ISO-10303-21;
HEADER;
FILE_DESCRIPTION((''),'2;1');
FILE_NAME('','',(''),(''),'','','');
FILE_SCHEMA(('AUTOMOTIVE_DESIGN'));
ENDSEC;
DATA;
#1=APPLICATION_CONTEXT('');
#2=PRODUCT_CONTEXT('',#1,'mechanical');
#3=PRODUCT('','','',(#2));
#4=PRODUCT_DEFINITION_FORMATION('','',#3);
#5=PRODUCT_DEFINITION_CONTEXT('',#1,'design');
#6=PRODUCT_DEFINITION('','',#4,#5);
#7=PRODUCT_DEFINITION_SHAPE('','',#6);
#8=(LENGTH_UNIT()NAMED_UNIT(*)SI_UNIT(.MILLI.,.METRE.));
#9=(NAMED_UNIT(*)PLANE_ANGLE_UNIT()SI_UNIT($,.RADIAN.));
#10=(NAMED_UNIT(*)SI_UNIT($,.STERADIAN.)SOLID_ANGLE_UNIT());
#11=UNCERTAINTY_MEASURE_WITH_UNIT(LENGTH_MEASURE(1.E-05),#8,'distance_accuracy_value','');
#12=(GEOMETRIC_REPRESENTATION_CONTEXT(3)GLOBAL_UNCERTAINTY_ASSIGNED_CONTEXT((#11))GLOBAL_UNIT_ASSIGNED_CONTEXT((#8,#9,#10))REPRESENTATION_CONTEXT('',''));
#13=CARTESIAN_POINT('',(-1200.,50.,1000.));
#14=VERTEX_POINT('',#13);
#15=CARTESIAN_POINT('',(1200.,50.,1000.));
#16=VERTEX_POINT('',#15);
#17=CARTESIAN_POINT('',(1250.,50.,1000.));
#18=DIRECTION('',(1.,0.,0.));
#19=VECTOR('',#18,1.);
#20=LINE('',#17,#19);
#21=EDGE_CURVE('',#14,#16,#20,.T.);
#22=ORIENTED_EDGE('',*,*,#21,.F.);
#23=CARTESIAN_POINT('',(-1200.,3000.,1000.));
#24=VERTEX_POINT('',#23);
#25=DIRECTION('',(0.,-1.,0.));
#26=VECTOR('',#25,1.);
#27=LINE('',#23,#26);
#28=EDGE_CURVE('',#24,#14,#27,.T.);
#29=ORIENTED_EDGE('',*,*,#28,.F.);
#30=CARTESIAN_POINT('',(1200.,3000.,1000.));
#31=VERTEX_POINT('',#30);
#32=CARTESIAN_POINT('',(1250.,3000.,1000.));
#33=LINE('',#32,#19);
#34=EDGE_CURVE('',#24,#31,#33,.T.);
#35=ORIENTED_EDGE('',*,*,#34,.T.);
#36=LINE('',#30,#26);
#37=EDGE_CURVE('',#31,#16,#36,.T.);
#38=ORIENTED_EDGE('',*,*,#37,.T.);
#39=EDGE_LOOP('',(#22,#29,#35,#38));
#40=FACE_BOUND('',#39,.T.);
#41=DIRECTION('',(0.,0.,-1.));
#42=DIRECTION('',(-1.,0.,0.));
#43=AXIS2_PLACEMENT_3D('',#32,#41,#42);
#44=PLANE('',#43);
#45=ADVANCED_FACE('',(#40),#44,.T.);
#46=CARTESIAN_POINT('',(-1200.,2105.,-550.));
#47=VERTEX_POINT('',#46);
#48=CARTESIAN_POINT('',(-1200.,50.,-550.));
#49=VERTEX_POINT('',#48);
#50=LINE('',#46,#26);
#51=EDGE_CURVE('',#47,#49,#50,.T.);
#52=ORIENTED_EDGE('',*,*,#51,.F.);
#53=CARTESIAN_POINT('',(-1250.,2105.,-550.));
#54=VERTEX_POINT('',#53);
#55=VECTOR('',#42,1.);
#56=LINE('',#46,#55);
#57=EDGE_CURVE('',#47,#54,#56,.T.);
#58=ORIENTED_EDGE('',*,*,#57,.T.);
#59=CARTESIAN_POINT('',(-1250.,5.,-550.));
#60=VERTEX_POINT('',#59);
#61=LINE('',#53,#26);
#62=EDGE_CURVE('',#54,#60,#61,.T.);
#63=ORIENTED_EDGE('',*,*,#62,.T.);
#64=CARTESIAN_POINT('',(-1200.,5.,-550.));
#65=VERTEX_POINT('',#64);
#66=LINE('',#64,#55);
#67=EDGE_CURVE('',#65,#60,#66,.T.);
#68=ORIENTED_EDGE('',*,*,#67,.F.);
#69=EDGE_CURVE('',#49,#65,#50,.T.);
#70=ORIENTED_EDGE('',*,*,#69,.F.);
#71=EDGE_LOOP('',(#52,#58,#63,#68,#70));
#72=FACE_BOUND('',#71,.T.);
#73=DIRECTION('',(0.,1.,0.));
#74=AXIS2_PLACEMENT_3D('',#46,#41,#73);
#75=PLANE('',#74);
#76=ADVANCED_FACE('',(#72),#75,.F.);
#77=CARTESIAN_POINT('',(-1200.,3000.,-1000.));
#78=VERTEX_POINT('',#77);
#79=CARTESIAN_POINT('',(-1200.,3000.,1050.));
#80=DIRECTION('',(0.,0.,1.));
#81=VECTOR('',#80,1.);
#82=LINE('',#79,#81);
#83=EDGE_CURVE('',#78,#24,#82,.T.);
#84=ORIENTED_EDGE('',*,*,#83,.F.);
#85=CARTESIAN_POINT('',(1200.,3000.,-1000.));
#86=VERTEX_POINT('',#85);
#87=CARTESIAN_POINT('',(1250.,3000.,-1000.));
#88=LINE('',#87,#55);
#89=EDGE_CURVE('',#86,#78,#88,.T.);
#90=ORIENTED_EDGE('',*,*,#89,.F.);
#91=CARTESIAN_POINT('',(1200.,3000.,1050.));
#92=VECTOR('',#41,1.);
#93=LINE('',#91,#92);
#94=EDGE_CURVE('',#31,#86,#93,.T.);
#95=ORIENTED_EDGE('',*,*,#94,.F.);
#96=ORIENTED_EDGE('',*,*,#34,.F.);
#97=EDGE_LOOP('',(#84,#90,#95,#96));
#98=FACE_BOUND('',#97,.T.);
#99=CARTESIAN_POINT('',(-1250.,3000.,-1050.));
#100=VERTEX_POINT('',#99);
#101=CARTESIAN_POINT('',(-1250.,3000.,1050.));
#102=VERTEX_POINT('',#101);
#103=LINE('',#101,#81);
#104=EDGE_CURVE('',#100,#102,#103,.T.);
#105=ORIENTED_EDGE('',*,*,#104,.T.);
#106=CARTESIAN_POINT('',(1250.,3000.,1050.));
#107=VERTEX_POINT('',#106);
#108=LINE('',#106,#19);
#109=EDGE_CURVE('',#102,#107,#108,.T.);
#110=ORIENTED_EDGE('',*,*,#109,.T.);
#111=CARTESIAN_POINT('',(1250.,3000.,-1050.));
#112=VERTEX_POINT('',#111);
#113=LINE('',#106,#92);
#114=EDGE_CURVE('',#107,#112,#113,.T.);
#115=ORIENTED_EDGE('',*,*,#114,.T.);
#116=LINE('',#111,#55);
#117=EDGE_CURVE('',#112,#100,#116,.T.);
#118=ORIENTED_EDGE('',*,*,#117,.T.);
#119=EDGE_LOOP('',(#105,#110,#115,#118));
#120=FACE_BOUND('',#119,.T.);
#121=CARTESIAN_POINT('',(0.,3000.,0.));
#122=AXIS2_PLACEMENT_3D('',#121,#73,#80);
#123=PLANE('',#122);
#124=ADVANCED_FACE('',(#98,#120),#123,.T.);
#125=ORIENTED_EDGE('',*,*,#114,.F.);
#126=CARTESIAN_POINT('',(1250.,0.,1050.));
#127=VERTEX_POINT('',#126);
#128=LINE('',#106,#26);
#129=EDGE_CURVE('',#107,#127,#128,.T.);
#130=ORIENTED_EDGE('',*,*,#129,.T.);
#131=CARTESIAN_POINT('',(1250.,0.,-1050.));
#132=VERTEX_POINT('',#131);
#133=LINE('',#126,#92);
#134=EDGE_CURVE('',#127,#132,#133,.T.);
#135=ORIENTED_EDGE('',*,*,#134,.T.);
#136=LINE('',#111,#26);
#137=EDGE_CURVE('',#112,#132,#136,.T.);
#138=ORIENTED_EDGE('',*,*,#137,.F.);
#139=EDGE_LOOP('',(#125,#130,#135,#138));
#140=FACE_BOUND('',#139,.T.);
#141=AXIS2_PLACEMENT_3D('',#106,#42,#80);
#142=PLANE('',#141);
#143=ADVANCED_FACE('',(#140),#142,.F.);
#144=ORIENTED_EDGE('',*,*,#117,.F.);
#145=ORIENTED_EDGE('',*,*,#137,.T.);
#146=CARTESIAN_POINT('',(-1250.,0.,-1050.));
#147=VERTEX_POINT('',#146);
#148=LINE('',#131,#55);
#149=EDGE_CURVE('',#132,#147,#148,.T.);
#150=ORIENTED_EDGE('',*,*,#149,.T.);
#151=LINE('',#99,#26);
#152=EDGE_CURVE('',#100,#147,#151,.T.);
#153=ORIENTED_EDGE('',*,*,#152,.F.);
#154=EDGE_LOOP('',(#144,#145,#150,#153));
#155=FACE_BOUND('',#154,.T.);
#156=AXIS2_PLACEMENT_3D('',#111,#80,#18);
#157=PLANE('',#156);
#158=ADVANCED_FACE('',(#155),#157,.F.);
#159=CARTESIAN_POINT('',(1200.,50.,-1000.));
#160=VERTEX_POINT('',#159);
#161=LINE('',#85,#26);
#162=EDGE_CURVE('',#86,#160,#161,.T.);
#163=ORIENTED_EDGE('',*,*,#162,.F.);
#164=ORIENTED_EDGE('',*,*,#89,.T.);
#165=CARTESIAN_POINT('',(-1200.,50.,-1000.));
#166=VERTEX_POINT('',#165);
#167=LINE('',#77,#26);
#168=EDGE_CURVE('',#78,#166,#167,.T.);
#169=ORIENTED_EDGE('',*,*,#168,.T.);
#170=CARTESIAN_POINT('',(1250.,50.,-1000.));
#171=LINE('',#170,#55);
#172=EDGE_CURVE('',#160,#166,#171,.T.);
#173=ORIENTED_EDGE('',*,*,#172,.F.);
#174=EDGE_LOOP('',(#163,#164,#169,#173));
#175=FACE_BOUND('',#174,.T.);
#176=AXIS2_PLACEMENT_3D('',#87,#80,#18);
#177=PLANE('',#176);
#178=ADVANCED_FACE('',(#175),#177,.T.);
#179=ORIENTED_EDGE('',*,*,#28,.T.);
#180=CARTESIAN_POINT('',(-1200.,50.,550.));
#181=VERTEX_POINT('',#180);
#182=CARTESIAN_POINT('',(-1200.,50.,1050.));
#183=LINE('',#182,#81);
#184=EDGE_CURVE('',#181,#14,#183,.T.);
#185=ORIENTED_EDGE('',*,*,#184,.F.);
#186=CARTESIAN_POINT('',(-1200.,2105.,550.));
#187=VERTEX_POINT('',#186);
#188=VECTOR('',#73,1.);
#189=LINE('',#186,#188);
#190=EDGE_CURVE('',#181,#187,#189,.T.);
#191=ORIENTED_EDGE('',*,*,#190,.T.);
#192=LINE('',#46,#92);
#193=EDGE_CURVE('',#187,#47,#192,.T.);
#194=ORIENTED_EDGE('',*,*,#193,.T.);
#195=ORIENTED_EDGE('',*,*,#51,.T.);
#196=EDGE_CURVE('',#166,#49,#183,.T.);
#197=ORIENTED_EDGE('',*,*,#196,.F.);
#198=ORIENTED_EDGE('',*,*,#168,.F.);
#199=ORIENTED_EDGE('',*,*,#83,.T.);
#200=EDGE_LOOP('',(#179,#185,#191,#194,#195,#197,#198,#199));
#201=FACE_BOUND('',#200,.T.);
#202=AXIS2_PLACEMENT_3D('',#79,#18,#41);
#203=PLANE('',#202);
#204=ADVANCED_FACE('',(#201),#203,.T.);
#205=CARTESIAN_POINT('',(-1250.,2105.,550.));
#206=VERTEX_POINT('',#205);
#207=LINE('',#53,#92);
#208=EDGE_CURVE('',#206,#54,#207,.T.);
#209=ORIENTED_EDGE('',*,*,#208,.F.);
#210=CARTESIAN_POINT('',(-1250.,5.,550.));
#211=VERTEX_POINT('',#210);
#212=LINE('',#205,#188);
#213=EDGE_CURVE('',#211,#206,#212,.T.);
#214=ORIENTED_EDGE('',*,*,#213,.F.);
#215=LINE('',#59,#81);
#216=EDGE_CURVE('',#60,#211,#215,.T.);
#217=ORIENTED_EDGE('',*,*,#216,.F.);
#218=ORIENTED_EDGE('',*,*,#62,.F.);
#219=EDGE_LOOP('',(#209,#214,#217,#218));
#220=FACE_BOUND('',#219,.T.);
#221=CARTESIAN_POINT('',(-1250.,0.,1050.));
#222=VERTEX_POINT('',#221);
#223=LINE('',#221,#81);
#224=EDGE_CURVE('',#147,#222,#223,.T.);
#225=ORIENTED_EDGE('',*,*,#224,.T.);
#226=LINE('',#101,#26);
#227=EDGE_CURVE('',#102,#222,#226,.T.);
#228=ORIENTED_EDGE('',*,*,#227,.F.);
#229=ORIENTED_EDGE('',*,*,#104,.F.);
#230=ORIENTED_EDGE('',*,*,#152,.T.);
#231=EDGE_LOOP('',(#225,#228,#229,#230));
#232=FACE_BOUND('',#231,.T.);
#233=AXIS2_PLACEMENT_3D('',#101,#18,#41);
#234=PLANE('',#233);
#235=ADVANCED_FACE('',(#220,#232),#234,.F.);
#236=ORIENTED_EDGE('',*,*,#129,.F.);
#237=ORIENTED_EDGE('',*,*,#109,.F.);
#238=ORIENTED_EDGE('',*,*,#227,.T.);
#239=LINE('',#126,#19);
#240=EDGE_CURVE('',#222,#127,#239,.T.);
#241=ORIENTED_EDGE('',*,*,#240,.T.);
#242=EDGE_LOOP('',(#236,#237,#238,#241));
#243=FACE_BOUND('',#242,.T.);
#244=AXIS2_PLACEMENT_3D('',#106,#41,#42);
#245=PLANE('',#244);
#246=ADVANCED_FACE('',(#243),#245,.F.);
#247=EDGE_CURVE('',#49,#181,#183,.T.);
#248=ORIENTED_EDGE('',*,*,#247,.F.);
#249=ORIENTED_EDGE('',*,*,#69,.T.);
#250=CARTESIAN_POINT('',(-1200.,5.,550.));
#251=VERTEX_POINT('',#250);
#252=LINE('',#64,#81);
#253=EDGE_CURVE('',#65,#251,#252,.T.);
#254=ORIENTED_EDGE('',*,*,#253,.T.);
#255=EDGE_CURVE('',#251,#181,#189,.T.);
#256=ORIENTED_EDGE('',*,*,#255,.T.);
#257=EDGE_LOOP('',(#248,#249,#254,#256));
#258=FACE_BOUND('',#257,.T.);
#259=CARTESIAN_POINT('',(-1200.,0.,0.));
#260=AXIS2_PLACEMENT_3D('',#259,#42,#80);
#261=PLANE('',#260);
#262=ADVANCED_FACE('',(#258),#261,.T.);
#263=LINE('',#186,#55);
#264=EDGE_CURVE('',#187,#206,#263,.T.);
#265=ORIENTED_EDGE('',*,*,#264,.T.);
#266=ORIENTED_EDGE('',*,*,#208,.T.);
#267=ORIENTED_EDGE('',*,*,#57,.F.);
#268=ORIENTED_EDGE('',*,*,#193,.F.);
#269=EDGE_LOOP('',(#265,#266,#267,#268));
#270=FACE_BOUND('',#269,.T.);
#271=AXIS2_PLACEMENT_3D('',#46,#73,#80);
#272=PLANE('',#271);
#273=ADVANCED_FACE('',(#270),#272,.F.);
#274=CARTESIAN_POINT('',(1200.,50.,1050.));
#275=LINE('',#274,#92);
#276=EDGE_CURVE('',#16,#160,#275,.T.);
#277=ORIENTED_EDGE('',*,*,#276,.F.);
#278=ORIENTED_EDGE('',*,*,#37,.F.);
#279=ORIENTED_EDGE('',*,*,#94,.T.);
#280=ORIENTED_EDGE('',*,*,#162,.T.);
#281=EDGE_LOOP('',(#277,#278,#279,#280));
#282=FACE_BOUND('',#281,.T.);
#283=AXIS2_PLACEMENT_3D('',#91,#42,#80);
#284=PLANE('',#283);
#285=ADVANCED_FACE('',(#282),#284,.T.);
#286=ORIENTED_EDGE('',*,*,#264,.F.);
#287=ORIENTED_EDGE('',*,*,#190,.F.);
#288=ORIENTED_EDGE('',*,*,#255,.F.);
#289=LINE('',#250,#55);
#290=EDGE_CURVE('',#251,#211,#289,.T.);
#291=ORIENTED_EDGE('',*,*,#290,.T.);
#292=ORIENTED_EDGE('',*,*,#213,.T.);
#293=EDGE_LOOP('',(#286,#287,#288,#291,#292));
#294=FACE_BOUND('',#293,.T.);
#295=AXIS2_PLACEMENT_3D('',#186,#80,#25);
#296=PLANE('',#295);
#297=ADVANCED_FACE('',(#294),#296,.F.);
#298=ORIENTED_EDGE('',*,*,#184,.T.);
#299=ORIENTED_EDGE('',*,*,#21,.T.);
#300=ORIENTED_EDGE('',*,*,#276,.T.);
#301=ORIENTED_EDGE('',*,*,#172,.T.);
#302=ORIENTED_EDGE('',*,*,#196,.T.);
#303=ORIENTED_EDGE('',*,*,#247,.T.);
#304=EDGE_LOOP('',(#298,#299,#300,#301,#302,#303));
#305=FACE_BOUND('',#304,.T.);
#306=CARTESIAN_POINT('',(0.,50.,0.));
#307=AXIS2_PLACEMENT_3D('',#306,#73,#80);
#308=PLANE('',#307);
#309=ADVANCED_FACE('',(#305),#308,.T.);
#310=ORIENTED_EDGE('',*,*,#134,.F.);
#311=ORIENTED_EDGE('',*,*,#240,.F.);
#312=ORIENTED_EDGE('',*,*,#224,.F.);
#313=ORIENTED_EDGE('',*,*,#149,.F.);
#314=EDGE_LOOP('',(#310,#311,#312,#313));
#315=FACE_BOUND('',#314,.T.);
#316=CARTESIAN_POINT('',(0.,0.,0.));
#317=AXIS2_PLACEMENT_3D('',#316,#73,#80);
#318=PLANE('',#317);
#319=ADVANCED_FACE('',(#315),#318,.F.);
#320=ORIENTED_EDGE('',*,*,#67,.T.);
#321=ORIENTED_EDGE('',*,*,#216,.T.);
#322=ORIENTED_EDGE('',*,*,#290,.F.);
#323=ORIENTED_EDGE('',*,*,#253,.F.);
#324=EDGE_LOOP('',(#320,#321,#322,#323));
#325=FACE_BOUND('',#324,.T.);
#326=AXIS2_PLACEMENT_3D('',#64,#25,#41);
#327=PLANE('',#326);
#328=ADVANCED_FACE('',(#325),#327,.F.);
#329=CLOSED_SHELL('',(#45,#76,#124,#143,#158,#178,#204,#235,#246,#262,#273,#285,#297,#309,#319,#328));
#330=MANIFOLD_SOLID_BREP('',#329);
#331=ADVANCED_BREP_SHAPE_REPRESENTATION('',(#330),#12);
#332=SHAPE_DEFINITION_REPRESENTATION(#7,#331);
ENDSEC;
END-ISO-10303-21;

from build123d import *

# Parameters (mm, degrees)
SKETCH1_W           = 2500
SKETCH1_H           = 2100
BOSS_EXTRUDE1_DEPTH = 3000
SHELL1_T            = -50
SKETCH2_W           = 1100
SKETCH2_H           = 2100
CUT_EXTRUDE1_DEPTH  = 50


with BuildPart() as part:
    # Sketch1 → Boss-Extrude1 (new body)
    with BuildSketch(Plane(origin=(0, 0, 0), x_dir=(1, 0, 0), z_dir=(0, 1, 0))):
        Rectangle(SKETCH1_W, SKETCH1_H)
    extrude(amount=BOSS_EXTRUDE1_DEPTH)

    # Shell1
    shell1_openings = [part.faces().sort_by_distance(p)[0] for p in [
        (0, 3000, 0),
    ]]
    offset(amount=SHELL1_T, openings=shell1_openings, kind=Kind.INTERSECTION)

    # Sketch2 → Cut-Extrude1 (cut)
    with BuildSketch(Plane.ZY.offset(1250)):
        with Locations((0, 1055)):
            Rectangle(SKETCH2_W, SKETCH2_H)
    extrude(amount=-CUT_EXTRUDE1_DEPTH, mode=Mode.SUBTRACT)


solid = part.part
